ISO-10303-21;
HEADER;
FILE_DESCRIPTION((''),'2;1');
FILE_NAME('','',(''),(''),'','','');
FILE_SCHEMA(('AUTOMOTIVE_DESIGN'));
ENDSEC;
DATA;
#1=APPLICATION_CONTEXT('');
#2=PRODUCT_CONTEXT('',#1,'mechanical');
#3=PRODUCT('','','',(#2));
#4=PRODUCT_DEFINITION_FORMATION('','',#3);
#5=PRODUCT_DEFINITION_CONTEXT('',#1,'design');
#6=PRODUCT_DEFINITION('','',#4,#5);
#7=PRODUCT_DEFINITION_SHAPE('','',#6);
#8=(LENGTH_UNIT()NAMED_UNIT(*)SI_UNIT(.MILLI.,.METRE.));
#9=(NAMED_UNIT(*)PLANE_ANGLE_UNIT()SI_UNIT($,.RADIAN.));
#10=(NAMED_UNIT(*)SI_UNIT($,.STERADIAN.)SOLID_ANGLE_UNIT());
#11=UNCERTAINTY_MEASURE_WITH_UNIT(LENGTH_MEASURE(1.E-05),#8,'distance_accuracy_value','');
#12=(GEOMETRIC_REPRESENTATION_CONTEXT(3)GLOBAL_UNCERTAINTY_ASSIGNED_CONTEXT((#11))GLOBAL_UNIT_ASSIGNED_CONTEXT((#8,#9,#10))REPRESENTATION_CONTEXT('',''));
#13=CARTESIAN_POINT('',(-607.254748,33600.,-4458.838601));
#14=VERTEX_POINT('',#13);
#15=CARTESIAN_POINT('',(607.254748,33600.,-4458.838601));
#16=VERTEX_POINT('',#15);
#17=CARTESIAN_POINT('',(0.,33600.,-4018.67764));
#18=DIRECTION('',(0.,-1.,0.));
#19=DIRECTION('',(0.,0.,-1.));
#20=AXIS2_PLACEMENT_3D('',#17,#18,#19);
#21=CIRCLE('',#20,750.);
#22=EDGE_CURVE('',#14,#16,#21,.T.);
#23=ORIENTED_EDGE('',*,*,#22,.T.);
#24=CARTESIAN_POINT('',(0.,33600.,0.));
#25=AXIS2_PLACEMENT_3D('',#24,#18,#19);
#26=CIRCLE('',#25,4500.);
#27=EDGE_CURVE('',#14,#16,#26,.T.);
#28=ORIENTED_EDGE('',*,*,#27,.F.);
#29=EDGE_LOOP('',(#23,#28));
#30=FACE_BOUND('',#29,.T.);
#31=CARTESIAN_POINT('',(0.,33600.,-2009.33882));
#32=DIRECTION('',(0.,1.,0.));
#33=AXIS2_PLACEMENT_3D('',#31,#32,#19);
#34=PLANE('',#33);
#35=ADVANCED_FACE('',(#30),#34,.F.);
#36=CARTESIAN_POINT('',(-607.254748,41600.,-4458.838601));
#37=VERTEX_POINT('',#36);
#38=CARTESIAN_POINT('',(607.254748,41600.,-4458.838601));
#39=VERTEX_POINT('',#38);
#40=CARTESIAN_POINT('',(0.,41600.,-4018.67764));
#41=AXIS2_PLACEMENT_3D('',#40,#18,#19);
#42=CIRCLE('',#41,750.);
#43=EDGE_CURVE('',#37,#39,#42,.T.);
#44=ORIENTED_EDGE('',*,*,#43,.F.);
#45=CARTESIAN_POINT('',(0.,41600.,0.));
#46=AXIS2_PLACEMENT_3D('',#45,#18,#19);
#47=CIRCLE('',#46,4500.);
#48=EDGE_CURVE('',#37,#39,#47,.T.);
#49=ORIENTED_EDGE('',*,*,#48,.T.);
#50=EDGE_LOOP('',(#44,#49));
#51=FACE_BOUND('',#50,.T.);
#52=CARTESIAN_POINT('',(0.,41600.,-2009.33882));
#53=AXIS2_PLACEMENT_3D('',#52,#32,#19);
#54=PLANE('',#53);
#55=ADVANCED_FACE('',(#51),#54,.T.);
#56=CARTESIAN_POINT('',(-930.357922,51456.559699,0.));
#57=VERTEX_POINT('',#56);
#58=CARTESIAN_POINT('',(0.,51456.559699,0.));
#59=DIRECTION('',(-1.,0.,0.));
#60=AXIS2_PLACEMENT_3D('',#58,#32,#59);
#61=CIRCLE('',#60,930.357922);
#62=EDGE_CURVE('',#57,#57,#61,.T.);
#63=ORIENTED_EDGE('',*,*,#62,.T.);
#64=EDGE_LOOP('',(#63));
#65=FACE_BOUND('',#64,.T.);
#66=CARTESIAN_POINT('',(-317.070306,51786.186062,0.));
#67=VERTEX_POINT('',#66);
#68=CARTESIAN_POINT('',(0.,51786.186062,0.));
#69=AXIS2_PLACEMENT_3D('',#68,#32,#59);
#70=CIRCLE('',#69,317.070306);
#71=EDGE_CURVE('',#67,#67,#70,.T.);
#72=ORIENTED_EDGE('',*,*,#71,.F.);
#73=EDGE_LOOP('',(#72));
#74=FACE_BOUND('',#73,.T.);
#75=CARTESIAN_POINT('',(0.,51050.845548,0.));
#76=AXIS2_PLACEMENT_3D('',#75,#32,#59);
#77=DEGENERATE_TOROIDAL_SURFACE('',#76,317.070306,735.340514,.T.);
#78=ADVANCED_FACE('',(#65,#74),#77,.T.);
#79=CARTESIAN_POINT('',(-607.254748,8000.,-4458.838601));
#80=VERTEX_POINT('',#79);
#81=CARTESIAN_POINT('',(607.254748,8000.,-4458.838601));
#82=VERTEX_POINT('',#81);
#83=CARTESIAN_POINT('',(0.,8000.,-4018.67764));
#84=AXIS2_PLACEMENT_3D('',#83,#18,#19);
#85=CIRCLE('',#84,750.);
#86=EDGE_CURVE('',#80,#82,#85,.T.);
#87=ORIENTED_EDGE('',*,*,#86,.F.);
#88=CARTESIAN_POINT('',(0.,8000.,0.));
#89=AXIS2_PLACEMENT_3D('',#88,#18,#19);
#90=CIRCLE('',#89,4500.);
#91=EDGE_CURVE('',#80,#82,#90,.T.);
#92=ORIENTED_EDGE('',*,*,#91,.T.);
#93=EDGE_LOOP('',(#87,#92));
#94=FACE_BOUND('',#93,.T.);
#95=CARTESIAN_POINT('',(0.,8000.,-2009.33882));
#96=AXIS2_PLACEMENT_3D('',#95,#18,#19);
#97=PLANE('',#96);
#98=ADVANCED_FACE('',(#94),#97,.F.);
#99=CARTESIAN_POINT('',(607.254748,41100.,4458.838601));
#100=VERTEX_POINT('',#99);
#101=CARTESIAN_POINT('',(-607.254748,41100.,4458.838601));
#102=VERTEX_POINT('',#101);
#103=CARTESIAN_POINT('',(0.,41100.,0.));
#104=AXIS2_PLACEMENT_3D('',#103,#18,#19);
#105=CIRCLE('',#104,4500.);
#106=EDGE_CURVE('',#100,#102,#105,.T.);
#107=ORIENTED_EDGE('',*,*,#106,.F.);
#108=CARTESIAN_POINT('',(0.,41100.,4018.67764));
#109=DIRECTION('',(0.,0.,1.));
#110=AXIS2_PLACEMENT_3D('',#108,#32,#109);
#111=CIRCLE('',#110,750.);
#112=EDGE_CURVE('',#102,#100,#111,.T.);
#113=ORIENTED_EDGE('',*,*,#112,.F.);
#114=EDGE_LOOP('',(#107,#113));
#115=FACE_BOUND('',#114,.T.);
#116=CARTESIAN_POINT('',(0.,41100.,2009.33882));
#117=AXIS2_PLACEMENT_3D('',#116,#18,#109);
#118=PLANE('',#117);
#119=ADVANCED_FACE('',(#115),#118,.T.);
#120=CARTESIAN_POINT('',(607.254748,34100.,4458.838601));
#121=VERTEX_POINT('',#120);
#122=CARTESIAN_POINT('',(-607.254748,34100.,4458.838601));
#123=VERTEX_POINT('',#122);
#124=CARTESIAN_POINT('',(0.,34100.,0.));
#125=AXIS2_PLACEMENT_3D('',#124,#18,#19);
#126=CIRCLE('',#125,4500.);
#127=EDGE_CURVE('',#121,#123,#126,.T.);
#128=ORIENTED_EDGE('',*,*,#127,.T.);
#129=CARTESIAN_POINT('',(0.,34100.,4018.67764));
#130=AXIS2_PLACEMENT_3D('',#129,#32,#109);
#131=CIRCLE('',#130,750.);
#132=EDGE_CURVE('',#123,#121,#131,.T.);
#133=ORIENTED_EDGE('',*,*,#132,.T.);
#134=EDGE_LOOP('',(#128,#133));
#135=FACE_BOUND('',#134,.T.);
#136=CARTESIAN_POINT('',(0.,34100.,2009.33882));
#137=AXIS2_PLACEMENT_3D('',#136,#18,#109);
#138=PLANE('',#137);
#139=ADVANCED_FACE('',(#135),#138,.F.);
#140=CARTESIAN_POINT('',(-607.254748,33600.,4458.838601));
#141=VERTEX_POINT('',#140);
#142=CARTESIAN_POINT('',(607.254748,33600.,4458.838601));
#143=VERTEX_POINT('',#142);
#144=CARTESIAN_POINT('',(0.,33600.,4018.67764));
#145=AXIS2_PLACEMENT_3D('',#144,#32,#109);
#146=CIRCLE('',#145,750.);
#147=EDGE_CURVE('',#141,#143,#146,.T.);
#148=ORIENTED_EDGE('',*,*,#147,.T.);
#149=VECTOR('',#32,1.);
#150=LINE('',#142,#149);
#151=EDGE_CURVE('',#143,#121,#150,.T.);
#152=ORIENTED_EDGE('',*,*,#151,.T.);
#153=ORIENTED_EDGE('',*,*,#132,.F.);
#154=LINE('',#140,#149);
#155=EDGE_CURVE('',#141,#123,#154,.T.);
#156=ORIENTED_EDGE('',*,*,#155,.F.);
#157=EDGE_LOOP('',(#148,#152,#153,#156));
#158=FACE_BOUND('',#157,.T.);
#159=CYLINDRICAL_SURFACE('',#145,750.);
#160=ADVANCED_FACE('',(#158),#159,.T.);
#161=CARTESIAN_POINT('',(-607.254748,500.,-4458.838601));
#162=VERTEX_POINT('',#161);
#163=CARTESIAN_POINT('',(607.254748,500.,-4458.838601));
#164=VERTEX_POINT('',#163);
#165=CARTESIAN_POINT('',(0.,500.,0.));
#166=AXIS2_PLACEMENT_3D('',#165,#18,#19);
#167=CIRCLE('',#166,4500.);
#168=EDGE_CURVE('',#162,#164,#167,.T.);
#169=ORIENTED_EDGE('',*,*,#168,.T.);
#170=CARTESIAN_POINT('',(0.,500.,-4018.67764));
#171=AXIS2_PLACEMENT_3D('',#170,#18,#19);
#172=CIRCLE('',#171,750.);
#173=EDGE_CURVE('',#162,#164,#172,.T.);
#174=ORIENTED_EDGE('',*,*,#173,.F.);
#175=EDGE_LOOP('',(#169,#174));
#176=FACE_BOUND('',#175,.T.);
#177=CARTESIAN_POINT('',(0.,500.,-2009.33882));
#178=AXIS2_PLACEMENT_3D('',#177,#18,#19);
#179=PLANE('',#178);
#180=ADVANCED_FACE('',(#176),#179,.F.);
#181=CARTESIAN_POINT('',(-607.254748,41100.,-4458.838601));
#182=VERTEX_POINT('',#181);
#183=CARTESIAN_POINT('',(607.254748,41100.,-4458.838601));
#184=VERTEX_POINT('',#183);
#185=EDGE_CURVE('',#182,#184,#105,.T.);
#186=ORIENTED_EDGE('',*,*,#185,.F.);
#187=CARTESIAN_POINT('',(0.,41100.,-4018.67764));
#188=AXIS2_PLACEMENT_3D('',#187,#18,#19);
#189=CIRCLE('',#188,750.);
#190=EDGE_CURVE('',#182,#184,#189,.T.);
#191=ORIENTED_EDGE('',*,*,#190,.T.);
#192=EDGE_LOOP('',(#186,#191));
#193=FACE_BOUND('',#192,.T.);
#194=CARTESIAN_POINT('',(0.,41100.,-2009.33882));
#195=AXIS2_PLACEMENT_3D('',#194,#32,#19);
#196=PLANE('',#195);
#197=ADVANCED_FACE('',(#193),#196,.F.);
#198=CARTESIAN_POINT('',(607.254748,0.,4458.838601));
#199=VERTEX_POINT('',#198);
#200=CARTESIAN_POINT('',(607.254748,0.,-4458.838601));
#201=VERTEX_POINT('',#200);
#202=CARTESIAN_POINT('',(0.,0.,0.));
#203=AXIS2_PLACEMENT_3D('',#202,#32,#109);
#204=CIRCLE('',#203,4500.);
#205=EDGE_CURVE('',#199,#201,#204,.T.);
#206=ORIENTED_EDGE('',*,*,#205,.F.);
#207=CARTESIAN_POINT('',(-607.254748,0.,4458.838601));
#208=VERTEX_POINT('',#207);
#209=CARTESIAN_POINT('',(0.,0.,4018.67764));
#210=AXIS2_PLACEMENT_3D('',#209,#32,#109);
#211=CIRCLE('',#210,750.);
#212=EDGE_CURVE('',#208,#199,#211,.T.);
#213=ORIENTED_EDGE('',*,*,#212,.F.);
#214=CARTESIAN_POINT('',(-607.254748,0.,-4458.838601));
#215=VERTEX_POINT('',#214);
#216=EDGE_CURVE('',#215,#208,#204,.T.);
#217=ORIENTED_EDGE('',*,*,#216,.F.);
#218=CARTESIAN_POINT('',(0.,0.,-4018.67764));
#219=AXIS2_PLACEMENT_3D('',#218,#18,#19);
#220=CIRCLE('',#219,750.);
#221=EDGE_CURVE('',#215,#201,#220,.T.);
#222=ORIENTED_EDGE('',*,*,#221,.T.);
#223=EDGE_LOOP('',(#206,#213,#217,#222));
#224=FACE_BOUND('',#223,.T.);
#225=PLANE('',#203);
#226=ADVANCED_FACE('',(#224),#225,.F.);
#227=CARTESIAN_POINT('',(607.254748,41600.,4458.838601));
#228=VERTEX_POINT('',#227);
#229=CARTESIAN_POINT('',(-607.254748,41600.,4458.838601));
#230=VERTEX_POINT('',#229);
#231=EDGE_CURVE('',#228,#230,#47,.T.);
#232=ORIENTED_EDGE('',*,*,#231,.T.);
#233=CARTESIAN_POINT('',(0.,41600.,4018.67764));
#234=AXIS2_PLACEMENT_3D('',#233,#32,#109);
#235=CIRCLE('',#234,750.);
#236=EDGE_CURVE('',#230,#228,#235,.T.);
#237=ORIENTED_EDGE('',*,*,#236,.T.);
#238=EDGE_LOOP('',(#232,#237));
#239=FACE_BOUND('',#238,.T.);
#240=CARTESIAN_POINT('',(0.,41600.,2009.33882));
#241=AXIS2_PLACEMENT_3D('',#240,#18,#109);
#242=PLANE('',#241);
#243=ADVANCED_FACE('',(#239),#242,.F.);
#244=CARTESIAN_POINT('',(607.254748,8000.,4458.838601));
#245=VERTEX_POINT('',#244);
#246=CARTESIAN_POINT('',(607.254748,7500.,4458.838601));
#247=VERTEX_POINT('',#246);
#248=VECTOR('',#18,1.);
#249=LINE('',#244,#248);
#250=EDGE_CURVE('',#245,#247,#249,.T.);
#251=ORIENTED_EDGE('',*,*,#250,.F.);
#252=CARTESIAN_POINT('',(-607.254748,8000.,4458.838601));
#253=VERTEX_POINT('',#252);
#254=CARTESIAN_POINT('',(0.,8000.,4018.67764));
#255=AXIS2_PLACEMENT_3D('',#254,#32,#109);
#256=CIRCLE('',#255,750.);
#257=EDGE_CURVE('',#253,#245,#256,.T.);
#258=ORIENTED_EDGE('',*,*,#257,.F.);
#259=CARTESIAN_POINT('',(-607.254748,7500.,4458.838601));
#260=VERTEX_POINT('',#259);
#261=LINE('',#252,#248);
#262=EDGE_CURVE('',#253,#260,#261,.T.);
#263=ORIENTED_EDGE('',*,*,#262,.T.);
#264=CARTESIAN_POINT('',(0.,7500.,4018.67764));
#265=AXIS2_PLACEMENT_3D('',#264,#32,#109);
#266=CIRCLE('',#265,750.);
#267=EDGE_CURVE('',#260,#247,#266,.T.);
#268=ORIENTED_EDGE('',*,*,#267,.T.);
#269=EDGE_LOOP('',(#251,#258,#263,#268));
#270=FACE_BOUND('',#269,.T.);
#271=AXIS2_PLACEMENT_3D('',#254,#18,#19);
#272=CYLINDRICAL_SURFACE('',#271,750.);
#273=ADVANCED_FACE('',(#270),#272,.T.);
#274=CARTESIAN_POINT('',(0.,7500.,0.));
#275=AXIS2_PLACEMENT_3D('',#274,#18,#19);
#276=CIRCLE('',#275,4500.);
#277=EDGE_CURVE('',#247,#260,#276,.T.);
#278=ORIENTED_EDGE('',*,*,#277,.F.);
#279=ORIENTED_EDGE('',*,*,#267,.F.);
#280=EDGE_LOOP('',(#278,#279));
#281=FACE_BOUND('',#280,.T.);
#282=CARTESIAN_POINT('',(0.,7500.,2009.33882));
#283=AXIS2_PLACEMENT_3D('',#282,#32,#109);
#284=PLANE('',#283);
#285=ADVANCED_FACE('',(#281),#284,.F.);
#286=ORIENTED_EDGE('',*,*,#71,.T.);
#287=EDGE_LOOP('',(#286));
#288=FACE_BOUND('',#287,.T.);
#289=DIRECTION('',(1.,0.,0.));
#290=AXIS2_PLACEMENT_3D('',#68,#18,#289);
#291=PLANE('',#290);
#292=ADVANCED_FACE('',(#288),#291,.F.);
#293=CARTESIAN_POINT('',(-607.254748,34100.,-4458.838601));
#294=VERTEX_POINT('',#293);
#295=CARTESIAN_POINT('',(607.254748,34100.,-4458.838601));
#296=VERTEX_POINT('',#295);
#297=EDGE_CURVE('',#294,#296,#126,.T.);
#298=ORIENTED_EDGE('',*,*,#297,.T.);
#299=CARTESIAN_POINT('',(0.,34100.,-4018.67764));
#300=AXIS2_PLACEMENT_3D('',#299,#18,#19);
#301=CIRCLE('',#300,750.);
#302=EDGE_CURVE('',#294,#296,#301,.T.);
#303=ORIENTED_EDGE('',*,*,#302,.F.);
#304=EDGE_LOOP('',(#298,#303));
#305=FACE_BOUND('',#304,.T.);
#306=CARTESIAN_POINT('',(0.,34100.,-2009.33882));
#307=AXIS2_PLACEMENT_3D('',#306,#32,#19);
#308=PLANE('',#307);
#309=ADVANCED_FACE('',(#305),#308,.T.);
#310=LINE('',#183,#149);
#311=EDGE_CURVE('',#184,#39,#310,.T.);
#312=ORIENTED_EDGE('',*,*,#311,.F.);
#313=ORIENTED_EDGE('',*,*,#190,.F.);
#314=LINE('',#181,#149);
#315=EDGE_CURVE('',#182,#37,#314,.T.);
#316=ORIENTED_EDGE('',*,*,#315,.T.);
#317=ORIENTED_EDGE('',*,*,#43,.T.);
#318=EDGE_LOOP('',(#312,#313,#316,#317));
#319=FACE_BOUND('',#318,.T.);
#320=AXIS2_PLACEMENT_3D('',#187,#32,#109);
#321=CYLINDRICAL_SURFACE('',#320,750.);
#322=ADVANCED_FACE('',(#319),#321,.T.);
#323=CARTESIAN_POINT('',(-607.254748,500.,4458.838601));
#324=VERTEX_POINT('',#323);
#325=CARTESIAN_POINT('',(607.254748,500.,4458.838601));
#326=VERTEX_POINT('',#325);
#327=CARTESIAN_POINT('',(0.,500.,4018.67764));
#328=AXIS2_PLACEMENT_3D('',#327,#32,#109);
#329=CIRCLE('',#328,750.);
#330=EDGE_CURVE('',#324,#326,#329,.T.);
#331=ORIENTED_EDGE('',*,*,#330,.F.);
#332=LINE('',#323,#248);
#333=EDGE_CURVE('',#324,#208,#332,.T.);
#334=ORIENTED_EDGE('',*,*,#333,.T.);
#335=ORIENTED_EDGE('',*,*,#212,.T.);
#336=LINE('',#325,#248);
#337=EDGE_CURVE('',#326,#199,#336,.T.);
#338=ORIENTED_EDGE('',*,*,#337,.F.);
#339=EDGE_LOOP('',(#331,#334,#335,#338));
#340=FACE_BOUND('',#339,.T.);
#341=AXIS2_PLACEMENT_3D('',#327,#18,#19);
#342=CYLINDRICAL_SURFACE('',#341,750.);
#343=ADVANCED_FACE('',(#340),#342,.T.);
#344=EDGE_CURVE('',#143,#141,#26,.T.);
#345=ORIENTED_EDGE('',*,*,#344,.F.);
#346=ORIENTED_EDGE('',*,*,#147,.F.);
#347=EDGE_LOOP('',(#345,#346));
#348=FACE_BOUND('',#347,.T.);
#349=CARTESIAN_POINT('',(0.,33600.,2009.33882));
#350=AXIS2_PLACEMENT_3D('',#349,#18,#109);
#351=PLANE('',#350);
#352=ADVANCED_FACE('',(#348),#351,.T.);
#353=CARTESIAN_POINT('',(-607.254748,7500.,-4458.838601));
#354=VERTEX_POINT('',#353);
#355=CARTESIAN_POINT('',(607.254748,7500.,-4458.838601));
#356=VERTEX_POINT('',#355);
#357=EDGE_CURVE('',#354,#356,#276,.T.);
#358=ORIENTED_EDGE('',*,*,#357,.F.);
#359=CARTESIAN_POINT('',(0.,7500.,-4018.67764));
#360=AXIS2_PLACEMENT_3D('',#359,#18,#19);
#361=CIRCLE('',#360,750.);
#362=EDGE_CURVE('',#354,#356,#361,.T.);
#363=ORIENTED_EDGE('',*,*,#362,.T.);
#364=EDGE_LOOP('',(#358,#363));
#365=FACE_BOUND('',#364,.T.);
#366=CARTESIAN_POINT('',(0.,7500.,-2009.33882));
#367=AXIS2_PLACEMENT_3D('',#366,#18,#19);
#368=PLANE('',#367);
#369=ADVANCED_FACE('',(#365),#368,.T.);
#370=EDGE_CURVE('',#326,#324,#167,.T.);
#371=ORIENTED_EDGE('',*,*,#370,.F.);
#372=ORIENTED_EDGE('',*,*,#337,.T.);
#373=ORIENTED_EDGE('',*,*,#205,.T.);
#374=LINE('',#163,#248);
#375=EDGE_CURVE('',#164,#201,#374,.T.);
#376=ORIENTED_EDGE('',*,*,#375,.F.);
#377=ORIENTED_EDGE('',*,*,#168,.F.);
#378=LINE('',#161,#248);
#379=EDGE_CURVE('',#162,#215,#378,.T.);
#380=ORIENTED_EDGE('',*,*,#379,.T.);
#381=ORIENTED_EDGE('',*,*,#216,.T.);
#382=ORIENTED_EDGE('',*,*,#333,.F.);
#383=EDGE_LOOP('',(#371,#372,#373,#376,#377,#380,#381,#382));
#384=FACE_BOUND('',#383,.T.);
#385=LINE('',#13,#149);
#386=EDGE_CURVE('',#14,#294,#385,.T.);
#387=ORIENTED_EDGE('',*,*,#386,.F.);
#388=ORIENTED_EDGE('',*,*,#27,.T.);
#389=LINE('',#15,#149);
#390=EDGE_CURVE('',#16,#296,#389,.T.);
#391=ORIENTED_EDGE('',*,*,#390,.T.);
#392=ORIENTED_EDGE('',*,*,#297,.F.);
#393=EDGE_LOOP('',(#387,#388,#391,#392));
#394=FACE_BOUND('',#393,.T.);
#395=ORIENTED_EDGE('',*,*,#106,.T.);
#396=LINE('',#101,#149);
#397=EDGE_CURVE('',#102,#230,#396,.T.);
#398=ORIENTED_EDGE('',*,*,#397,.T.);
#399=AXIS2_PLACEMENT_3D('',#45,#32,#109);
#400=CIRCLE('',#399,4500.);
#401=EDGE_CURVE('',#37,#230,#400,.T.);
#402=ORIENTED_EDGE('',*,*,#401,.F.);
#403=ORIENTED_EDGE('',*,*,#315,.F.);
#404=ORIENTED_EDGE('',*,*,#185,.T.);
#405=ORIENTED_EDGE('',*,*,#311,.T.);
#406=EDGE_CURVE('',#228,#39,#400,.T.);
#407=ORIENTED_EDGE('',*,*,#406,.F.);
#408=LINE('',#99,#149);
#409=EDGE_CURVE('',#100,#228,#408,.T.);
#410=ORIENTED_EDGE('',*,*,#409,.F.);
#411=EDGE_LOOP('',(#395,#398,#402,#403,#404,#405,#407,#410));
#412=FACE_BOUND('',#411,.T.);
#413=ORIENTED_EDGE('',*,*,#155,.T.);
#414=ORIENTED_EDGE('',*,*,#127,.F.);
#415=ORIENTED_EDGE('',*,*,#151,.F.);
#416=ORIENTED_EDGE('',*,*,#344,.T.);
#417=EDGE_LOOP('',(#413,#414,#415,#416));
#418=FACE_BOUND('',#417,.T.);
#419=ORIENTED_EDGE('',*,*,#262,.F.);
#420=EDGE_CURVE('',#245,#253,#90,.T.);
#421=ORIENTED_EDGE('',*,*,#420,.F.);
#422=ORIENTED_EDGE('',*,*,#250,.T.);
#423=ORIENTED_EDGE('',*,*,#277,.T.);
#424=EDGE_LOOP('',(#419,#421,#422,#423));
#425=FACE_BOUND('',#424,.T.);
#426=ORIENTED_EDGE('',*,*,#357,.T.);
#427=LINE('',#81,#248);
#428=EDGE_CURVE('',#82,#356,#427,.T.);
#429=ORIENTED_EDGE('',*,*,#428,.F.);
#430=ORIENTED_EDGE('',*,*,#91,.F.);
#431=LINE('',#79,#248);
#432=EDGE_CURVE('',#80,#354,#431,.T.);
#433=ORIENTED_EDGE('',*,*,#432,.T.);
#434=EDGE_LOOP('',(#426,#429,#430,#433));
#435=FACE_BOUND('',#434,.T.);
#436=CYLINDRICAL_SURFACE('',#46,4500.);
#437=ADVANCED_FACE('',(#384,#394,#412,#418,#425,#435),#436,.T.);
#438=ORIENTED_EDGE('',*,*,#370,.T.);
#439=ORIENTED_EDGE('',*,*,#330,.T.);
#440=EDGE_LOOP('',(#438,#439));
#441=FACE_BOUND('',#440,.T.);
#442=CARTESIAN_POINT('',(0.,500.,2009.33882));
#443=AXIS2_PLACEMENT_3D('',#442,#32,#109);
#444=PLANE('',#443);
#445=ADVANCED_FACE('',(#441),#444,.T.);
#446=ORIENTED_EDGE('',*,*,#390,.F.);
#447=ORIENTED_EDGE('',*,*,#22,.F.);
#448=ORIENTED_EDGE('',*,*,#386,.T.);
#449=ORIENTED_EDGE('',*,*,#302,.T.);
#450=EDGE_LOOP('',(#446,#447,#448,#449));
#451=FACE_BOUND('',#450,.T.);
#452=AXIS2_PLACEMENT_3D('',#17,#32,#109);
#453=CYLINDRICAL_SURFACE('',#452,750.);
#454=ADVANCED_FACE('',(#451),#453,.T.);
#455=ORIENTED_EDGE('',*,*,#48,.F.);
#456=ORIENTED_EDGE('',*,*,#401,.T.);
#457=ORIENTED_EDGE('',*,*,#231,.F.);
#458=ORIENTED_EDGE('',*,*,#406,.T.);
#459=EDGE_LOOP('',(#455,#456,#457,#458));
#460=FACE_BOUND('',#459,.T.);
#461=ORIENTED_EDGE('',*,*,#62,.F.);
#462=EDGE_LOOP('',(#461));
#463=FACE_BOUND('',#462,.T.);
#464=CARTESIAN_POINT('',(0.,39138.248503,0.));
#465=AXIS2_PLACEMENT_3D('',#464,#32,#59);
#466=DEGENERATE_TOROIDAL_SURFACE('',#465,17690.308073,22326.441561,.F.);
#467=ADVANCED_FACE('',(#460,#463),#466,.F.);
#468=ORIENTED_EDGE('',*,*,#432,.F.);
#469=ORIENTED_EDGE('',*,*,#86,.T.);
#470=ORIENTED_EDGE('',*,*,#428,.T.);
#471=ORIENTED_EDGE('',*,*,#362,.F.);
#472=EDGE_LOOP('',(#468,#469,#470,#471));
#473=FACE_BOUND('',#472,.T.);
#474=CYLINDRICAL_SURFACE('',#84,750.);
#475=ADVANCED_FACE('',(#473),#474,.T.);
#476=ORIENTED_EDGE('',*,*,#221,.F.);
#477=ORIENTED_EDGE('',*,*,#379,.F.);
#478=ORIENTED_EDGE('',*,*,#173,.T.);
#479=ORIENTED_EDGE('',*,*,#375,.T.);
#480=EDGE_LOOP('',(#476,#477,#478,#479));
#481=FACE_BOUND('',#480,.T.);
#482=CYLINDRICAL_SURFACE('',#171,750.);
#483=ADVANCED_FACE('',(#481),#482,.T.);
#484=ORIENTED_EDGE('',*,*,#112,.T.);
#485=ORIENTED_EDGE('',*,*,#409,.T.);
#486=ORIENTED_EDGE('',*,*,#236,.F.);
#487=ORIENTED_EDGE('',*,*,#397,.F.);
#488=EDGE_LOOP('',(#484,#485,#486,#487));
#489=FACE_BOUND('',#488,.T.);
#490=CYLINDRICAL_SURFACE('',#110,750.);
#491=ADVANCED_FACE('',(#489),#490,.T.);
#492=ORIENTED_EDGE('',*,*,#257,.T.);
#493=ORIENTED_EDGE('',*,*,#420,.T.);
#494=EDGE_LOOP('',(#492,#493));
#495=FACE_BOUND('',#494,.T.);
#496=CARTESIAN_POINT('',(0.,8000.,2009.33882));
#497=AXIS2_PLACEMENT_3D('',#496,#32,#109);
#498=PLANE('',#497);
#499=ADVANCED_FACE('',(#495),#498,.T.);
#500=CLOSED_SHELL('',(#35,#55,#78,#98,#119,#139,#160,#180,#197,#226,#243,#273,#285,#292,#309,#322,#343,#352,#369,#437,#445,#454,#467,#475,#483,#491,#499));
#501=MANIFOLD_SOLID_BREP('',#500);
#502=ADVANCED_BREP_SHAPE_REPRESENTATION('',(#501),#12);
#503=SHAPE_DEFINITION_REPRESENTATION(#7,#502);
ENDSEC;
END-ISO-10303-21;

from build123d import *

# Parameters (mm, degrees)
SKETCH1_R            = 4500
BOSS_EXTRUDE1_DEPTH  = 41600
BOSS_EXTRUDE3_DEPTH  = 500
LPATTERN1_COUNT      = 2
LPATTERN1_PITCH      = 7500
MIRROR1_COPY_1_DEPTH = 500


with BuildPart() as part:
    # Sketch1 → Boss-Extrude1 (new body)
    with BuildSketch(Plane(origin=(0, 0, 0), x_dir=(1, 0, 0), z_dir=(0, 1, 0))):
        with Locations(Location((0, 0, 0), (0, 0, 270))):
            Circle(SKETCH1_R)
    extrude(amount=BOSS_EXTRUDE1_DEPTH)

    # Sketch2 → Revolve1 (revolve)
    with BuildSketch(Plane.XY, mode=Mode.PRIVATE) as revolve1_sk:
        with BuildLine():
            Line((0, 51786.186061753), (0, 41600))
            Line((0, 41600), (4500, 41600))
            ThreePointArc((4500, 41600), (3301.877219766, 46740.757920493), (930.357921809, 51456.559698881))
            ThreePointArc((930.357921809, 51456.559698881), (665.199319271, 51698.55834057), (317.070306462, 51786.186061753))
            Line((317.070306462, 51786.186061753), (0, 51786.186061753))
        make_face()
    revolve(revolve1_sk.sketch.rotate(Axis((0, 51786.186061753, 0), (0, -1, 0)), 90), axis=Axis((0, 51786.186061753, 0), (0, -1, 0)))

    # Sketch4 → Boss-Extrude3 (add)
    with BuildSketch(Plane.XZ):
        with BuildLine():
            ThreePointArc((-607.254747717, -4458.83860118), (0, -4768.677640422), (607.254747717, -4458.83860118))
            ThreePointArc((607.254747717, -4458.83860118), (0, -4500), (-607.254747717, -4458.83860118))
        make_face()
        with BuildLine():
            ThreePointArc((-607.254747717, 4458.83860118), (0, 4768.677640422), (607.254747717, 4458.83860118))
            ThreePointArc((607.254747717, 4458.83860118), (0, 4500), (-607.254747717, 4458.83860118))
        make_face()
    boss_extrude3 = extrude(amount=-BOSS_EXTRUDE3_DEPTH)

    # LPattern1: Boss-Extrude3 ×2
    with Locations(*[(0, i * LPATTERN1_PITCH, 0) for i in range(1, LPATTERN1_COUNT)]):
        add(boss_extrude3)

    # Mirror1: Boss-Extrude3 across plane
    add(boss_extrude3.mirror(Plane(origin=(0, 20800, 0), x_dir=(0, 0, 1), z_dir=(0, -1, 0))))

    # Mirror1 copy 1 sketch → Mirror1 copy 1 (add)
    with BuildSketch(Plane(origin=(0, 34100, 0), x_dir=(1, 0, 0), z_dir=(0, 1, 0))):
        with BuildLine():
            ThreePointArc((-607.254747717, 4458.83860118), (0, 4768.677640422), (607.254747717, 4458.83860118))
            ThreePointArc((607.254747717, 4458.83860118), (0, 4500), (-607.254747717, 4458.83860118))
        make_face()
        with BuildLine():
            ThreePointArc((-607.254747717, -4458.83860118), (0, -4768.677640422), (607.254747717, -4458.83860118))
            ThreePointArc((607.254747717, -4458.83860118), (0, -4500), (-607.254747717, -4458.83860118))
        make_face()
    extrude(amount=-MIRROR1_COPY_1_DEPTH)


solid = part.part
